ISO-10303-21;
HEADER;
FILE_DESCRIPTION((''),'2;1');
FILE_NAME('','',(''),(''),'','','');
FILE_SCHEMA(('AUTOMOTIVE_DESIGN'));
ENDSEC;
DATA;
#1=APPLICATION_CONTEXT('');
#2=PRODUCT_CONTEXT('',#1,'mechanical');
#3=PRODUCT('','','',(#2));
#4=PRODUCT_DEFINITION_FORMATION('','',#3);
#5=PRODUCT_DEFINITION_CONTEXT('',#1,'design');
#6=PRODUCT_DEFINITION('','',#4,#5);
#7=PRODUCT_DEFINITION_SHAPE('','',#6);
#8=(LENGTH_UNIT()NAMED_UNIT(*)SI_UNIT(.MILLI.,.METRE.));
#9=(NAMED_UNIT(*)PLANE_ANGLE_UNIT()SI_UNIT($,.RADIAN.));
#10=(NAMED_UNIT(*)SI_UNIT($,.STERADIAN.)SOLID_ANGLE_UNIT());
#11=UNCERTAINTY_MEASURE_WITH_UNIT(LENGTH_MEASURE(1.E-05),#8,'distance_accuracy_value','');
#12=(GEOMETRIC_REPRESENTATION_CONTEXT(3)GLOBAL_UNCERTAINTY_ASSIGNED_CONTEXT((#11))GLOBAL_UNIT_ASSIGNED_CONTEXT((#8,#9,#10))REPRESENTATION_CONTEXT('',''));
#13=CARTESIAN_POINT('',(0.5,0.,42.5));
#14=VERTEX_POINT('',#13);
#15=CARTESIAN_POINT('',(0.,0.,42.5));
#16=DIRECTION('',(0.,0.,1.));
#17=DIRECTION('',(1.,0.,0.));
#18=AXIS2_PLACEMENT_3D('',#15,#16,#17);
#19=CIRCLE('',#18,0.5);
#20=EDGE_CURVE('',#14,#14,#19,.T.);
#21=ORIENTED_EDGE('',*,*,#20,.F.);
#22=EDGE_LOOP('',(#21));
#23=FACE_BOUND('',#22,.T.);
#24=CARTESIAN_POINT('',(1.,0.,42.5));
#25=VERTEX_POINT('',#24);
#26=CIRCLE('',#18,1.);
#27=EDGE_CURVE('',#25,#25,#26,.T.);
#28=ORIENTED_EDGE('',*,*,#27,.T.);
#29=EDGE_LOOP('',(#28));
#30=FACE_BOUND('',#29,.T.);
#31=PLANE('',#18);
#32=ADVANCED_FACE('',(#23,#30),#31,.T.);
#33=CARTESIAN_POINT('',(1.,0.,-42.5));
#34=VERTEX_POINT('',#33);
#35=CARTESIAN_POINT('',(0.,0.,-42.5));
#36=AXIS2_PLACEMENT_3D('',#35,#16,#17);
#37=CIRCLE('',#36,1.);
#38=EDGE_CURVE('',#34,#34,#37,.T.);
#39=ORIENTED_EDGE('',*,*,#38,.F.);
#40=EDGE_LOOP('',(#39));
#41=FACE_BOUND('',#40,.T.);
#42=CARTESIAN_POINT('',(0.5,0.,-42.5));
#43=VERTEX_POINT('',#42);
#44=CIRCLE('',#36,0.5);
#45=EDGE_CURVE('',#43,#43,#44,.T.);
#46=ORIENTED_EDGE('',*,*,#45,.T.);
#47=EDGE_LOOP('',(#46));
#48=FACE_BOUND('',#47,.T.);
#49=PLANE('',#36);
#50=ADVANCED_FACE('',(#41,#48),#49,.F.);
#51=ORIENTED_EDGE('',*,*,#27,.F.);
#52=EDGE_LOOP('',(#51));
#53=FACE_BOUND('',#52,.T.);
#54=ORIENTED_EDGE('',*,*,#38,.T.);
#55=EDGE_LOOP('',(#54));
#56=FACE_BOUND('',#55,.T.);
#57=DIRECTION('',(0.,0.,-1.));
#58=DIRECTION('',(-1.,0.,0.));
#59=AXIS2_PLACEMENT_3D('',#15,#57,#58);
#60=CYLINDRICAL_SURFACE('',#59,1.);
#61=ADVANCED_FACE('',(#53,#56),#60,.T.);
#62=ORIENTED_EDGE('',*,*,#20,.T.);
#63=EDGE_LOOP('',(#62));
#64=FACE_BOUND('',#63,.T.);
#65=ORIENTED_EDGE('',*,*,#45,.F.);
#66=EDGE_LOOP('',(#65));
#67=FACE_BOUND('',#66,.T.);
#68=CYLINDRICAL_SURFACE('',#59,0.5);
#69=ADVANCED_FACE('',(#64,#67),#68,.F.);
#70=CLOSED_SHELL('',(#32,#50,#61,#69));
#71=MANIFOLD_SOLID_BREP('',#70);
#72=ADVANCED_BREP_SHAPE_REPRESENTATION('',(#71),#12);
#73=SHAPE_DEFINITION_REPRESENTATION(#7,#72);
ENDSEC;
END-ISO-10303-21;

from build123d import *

# Parameters (mm, degrees)
TUBE_START  = -42.5
SKETCH1_R   = 1
SKETCH1_R_2 = 0.5
TUBE_DEPTH  = 85


with BuildPart() as part:
    # Sketch1 → Tube (new body)
    with BuildSketch(Plane.XY.offset(TUBE_START)):
        Circle(SKETCH1_R)
        Circle(SKETCH1_R_2, mode=Mode.SUBTRACT)
    extrude(amount=TUBE_DEPTH)


solid = part.part
